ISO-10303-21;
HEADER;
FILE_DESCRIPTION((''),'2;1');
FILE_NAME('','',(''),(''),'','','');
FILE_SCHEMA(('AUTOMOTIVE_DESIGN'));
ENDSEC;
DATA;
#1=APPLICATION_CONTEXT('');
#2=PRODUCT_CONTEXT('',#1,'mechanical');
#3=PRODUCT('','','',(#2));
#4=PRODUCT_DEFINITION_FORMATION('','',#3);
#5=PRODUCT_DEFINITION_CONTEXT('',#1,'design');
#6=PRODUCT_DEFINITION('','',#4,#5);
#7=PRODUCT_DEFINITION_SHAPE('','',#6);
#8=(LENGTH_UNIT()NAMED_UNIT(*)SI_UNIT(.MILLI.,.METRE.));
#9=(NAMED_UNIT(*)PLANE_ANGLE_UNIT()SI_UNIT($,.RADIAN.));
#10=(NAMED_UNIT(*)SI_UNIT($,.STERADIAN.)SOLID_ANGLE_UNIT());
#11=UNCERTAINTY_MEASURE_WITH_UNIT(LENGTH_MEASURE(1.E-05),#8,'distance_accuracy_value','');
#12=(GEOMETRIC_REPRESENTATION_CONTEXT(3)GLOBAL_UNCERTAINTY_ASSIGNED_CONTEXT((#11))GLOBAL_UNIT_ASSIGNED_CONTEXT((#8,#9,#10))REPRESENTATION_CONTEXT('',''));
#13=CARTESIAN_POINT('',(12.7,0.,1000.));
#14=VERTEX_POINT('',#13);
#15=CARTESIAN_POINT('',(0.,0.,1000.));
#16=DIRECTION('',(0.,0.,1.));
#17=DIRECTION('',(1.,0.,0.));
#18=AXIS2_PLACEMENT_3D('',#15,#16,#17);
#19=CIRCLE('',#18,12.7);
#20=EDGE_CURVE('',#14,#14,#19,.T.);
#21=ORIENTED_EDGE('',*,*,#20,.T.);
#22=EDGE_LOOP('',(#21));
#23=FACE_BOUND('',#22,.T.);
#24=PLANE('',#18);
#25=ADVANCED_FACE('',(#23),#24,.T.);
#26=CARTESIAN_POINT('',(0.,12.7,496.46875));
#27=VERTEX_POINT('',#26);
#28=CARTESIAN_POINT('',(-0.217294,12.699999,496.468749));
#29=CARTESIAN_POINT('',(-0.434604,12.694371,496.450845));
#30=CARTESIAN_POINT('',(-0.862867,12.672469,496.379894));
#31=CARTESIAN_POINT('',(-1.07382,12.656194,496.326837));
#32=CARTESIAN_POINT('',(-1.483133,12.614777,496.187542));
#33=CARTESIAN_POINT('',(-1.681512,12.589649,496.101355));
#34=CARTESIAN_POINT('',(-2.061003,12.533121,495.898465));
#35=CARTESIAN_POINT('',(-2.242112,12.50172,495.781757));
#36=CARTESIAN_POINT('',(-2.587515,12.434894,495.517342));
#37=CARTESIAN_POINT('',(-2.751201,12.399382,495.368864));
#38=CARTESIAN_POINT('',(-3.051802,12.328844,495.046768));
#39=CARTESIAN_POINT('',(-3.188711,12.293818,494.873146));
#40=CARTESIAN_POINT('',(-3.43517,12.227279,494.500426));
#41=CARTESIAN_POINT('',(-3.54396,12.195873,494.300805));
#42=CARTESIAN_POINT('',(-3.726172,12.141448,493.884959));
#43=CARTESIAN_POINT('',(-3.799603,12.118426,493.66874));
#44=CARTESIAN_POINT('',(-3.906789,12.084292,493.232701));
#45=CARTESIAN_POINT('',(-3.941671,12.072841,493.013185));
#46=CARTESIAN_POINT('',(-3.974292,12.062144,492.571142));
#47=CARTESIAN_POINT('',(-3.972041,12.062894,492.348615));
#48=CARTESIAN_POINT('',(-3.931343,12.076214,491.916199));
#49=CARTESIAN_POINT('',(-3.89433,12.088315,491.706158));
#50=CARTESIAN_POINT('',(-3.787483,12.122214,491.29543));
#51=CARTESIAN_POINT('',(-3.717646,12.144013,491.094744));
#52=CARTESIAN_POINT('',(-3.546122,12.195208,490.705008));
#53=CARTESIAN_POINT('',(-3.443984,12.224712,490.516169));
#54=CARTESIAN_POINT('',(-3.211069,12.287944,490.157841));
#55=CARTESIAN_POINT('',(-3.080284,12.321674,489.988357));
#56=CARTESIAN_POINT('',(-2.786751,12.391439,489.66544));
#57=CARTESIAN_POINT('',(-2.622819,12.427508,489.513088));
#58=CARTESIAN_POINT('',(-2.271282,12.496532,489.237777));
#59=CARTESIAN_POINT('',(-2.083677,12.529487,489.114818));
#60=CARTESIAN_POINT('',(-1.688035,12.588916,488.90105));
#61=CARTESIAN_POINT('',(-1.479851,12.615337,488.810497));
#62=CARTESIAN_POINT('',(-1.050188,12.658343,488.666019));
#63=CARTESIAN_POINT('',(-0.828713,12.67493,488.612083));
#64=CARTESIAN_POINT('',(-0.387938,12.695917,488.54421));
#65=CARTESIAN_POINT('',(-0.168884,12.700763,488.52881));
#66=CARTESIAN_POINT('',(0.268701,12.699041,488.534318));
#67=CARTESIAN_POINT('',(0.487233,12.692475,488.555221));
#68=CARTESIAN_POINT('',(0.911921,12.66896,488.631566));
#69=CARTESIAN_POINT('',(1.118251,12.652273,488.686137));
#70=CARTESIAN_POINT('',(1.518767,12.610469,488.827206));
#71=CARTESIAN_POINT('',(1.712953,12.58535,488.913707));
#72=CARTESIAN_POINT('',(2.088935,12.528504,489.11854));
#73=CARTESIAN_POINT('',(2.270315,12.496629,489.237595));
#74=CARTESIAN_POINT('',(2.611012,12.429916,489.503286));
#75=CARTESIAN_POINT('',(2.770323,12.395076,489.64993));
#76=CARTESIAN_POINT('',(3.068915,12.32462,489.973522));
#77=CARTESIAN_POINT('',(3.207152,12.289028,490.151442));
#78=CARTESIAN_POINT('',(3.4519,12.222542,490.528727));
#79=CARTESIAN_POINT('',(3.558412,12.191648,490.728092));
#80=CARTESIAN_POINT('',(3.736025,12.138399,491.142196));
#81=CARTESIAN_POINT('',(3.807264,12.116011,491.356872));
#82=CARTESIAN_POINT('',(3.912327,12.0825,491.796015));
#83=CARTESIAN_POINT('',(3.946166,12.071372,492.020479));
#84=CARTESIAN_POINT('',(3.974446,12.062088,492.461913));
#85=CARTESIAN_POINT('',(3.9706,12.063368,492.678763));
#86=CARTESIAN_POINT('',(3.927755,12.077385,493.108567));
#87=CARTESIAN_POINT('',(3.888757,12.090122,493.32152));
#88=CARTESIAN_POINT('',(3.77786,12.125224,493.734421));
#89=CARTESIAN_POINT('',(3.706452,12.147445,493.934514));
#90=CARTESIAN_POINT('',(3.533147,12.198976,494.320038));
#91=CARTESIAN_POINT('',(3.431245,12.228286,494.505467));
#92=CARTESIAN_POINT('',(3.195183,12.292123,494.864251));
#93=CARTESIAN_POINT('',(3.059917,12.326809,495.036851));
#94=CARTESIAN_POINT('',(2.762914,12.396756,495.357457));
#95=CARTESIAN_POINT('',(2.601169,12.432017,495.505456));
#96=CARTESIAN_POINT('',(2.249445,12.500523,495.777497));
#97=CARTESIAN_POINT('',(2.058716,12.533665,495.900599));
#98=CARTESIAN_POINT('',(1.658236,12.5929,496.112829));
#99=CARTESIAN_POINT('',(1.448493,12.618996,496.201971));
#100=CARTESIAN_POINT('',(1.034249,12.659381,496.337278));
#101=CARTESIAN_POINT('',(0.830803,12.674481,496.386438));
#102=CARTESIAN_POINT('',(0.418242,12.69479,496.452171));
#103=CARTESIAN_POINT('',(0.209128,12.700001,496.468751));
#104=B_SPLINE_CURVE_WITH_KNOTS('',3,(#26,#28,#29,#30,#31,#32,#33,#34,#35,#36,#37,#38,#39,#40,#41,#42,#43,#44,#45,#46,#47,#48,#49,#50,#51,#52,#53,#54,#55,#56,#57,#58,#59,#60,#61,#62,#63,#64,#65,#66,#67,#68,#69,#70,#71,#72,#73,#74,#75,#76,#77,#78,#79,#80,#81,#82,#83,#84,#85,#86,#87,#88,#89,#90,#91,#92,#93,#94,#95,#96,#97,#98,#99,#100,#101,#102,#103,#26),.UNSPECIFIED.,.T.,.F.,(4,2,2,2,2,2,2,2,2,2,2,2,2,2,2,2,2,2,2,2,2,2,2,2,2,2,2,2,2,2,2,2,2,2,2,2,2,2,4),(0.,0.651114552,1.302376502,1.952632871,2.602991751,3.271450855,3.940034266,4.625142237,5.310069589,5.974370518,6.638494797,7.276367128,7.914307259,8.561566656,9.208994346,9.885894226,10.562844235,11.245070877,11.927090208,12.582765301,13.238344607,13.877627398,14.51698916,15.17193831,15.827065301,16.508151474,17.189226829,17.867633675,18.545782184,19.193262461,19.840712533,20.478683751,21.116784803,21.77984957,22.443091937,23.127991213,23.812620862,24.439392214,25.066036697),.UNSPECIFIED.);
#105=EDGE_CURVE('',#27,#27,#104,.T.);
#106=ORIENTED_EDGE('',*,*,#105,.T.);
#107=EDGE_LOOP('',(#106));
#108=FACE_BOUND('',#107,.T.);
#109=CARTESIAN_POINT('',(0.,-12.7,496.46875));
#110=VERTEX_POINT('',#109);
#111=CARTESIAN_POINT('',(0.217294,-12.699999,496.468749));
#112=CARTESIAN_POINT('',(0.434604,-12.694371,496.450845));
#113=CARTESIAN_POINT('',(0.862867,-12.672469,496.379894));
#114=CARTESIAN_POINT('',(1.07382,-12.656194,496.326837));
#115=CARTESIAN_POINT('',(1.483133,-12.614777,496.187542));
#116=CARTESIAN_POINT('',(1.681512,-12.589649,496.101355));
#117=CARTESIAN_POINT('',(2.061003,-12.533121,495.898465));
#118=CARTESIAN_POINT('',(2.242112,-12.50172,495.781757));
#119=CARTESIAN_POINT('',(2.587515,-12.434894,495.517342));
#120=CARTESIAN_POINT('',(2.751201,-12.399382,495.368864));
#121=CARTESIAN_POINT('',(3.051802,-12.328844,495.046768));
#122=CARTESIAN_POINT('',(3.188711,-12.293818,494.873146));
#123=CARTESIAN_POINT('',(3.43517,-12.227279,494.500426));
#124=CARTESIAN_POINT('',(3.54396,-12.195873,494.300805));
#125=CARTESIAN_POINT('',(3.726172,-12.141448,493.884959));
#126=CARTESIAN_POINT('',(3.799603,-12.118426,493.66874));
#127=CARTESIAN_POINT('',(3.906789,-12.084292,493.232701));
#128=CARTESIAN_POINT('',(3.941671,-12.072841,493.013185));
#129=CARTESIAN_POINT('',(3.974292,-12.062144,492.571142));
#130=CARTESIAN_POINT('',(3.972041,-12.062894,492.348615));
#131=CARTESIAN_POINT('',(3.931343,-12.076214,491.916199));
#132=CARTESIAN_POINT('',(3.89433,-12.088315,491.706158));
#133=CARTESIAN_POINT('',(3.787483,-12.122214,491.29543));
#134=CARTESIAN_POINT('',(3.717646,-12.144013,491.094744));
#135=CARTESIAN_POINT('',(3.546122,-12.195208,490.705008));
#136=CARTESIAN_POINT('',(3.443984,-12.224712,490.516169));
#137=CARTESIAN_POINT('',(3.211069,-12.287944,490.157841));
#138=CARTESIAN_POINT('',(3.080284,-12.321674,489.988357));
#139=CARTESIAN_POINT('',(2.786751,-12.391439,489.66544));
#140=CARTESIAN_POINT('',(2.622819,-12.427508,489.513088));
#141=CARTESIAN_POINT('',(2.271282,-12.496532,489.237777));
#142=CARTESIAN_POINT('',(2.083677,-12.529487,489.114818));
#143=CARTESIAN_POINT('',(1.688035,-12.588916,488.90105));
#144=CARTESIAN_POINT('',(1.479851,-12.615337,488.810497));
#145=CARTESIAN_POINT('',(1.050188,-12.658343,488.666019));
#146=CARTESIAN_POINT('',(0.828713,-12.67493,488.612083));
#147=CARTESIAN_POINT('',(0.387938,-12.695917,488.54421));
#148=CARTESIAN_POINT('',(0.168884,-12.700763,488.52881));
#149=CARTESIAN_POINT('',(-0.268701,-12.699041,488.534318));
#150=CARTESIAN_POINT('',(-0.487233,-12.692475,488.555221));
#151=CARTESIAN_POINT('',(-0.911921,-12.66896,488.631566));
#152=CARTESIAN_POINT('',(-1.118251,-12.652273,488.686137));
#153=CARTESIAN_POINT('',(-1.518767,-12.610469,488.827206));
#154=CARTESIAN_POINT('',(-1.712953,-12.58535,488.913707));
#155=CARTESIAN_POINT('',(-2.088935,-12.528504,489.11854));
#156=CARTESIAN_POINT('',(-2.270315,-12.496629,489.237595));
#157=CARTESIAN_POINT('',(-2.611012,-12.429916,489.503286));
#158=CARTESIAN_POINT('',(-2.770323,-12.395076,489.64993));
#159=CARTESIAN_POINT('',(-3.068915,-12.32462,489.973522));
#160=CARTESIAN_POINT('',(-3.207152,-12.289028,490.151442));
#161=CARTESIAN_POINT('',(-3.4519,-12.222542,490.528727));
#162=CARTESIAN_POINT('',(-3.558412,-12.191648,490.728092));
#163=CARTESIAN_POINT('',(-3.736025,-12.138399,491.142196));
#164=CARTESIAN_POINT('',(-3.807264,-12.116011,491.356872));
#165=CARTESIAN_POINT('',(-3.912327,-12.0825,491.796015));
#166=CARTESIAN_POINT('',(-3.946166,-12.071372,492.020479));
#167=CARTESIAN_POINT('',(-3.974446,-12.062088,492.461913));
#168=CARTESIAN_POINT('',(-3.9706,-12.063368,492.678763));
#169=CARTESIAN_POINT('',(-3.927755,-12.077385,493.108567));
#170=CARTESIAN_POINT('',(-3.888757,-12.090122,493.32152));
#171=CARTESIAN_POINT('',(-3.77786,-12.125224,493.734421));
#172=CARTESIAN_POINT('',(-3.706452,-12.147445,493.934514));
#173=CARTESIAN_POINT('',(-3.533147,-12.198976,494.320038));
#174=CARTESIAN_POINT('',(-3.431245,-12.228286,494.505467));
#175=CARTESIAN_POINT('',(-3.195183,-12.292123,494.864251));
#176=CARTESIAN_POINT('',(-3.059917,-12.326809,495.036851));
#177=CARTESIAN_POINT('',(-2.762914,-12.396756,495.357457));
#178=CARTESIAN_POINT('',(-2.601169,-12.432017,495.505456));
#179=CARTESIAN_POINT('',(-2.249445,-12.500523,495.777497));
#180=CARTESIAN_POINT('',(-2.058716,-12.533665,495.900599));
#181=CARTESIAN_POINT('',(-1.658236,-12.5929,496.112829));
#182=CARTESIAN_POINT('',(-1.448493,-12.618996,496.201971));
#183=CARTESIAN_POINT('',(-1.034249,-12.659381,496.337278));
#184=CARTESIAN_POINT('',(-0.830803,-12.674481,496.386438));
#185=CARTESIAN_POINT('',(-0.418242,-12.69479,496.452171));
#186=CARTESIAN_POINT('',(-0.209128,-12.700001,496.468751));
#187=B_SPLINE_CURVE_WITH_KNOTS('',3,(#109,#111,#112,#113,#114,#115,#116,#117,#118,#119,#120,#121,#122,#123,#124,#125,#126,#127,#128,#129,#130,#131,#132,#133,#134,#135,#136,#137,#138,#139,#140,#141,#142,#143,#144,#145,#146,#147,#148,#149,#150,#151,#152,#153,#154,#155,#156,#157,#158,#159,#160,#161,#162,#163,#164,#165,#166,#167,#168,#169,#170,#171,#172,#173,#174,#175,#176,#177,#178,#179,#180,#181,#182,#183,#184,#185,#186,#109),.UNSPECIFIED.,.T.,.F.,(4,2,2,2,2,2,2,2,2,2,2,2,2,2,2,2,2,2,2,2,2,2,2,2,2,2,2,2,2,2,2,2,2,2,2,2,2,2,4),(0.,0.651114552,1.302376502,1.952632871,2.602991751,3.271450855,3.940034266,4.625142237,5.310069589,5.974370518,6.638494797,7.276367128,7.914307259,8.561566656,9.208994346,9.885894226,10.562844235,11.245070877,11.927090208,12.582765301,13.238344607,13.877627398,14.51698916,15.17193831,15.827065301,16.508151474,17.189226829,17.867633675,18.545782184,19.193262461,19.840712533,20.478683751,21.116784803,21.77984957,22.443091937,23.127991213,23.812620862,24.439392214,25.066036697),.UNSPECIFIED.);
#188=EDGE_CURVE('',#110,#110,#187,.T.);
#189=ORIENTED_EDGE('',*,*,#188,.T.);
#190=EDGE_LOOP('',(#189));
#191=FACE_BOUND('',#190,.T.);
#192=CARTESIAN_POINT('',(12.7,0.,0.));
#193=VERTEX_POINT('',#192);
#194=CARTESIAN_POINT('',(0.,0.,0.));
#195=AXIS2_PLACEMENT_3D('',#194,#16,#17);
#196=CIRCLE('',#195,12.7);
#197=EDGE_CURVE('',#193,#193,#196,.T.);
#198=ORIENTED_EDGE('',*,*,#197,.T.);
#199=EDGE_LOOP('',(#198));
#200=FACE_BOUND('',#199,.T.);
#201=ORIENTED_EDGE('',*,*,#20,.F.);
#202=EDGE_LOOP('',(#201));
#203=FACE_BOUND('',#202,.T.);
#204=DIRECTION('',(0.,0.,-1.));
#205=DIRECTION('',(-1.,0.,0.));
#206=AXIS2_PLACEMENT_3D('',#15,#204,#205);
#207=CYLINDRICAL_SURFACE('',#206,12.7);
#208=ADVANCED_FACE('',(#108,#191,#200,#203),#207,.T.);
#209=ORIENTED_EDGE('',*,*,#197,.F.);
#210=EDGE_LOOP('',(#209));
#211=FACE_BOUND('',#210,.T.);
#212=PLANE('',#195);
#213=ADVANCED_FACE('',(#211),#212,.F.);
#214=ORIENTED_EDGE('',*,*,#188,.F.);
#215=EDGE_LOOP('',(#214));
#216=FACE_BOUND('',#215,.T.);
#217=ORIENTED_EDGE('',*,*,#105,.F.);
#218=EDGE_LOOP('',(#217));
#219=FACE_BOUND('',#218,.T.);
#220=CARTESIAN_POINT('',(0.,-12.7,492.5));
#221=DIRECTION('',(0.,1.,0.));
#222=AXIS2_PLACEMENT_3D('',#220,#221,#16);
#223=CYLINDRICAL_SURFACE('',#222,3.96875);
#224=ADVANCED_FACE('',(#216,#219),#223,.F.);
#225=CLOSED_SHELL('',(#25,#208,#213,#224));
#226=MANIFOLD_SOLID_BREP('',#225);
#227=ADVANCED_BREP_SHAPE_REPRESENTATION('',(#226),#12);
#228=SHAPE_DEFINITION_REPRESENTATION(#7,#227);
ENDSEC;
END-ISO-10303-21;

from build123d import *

# Parameters (mm, degrees)
SKETCH1_R               = 12.7
BOSS_EXTRUDE1_DEPTH     = 1000
CUT_EXTRUDE1_DEPTH      = 1001.161276995
CUT_EXTRUDE1_DEPTH_BACK = 1001.161276995
SKETCH2_R               = 3.96875


with BuildPart() as part:
    # Sketch1 → Boss-Extrude1 (new body)
    with BuildSketch(Plane.XY):
        Circle(SKETCH1_R)
    extrude(amount=BOSS_EXTRUDE1_DEPTH)

    # Sketch2 → Cut-Extrude1 (cut, two sides: drawn at the far end of the back side and taken through both)
    with BuildSketch(Plane(origin=(0, 0, 0), x_dir=(1, 0, 0), z_dir=(0, 1, 0)).offset(-CUT_EXTRUDE1_DEPTH_BACK)):
        with Locations(Location((0, -492.5, 0), (0, 0, 270))):
            Circle(SKETCH2_R)
    extrude(amount=CUT_EXTRUDE1_DEPTH + CUT_EXTRUDE1_DEPTH_BACK, mode=Mode.SUBTRACT)


solid = part.part
